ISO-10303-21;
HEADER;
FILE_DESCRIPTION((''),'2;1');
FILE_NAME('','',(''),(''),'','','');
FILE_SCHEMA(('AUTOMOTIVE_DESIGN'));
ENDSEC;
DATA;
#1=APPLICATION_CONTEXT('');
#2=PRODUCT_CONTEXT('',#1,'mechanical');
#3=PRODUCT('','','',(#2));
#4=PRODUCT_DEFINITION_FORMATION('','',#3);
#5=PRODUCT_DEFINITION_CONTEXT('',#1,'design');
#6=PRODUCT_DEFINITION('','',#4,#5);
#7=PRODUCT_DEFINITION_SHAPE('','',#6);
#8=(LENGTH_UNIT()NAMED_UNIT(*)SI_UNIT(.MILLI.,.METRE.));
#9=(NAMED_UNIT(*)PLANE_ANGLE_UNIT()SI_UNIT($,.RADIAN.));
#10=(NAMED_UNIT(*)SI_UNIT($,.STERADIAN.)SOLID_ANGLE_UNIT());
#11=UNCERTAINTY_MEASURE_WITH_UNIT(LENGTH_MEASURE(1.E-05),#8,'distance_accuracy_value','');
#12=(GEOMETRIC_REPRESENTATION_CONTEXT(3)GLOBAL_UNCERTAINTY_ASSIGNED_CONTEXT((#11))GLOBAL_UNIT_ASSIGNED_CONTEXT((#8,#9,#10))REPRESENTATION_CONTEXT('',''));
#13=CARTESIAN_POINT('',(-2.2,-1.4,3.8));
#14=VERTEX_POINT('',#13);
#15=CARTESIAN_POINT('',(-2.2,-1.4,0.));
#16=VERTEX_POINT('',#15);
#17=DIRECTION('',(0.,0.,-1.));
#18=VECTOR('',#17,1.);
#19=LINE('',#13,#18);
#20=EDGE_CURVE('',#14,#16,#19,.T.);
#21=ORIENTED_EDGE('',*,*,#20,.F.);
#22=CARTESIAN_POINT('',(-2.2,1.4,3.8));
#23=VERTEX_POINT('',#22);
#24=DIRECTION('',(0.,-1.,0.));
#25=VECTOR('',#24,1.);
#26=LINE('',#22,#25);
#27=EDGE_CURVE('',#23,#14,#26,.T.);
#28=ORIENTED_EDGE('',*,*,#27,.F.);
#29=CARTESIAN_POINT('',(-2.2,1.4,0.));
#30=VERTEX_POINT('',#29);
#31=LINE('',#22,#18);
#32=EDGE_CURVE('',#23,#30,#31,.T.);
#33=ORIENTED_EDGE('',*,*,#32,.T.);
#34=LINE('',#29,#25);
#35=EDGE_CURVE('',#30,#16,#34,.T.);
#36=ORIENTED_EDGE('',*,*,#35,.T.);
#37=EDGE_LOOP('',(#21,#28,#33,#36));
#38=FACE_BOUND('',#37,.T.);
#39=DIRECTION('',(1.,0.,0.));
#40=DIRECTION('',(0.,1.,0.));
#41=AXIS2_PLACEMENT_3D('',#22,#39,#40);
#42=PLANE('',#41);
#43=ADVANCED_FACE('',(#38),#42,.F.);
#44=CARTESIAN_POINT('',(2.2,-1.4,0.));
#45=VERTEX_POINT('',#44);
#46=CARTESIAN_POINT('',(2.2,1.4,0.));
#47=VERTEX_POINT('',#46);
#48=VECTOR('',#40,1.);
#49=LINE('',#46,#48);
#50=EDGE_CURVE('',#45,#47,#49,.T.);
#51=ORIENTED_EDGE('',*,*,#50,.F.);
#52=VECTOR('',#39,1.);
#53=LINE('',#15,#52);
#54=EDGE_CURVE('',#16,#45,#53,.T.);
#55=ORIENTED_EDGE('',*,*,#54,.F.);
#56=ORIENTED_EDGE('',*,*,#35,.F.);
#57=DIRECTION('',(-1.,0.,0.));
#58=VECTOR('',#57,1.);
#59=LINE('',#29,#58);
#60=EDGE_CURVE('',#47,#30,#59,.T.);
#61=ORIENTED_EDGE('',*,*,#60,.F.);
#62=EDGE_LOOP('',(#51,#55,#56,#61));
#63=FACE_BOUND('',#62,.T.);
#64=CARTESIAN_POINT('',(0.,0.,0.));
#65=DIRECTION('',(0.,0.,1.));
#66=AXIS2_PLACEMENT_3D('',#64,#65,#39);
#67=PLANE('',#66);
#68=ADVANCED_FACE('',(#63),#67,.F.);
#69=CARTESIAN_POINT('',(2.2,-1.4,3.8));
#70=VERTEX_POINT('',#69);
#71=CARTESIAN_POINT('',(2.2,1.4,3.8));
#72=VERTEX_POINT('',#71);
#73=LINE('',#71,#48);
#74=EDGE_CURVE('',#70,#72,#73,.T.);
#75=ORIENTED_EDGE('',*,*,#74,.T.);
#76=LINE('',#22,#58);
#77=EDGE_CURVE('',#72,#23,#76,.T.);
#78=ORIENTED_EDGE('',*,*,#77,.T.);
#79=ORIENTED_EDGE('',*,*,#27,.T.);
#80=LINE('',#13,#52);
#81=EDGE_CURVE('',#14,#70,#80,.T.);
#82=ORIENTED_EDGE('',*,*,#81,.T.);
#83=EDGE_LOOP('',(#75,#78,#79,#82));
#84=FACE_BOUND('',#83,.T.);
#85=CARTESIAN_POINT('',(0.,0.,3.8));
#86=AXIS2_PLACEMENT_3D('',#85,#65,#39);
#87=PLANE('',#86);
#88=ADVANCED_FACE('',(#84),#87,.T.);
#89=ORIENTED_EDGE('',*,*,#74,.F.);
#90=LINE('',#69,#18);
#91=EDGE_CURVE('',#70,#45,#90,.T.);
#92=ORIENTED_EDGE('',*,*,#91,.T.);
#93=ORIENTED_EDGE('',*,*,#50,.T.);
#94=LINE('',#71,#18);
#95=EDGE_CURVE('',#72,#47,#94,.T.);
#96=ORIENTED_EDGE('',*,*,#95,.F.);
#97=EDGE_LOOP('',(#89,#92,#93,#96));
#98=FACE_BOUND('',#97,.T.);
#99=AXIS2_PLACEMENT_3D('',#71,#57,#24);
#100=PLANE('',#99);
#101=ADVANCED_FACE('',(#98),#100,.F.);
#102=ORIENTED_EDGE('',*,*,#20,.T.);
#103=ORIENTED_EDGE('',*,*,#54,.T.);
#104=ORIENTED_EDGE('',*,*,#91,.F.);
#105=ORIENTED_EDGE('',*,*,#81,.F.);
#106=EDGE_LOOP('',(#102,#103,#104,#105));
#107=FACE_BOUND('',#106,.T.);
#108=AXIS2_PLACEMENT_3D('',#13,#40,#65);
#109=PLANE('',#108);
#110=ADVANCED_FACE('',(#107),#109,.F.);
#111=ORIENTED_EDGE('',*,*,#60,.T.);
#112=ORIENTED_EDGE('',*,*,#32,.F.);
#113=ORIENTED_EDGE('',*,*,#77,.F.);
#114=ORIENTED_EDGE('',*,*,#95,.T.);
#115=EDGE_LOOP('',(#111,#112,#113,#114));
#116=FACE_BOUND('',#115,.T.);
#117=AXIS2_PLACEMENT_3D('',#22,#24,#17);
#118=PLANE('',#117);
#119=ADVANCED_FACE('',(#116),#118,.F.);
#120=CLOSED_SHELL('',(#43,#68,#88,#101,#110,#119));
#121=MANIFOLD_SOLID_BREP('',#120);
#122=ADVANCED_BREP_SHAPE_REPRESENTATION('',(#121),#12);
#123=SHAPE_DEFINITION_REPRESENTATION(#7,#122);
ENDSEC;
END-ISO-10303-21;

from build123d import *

# Parameters (mm, degrees)
SKETCH_2_W      = 4.4
SKETCH_2_H      = 2.8
EXTRUDE_1_DEPTH = 3.8


with BuildPart() as part:
    # Эскиз2 → Бобышка-Вытянуть1 (new body)
    with BuildSketch(Plane.XY):
        Rectangle(SKETCH_2_W, SKETCH_2_H)
    extrude(amount=EXTRUDE_1_DEPTH)


solid = part.part
